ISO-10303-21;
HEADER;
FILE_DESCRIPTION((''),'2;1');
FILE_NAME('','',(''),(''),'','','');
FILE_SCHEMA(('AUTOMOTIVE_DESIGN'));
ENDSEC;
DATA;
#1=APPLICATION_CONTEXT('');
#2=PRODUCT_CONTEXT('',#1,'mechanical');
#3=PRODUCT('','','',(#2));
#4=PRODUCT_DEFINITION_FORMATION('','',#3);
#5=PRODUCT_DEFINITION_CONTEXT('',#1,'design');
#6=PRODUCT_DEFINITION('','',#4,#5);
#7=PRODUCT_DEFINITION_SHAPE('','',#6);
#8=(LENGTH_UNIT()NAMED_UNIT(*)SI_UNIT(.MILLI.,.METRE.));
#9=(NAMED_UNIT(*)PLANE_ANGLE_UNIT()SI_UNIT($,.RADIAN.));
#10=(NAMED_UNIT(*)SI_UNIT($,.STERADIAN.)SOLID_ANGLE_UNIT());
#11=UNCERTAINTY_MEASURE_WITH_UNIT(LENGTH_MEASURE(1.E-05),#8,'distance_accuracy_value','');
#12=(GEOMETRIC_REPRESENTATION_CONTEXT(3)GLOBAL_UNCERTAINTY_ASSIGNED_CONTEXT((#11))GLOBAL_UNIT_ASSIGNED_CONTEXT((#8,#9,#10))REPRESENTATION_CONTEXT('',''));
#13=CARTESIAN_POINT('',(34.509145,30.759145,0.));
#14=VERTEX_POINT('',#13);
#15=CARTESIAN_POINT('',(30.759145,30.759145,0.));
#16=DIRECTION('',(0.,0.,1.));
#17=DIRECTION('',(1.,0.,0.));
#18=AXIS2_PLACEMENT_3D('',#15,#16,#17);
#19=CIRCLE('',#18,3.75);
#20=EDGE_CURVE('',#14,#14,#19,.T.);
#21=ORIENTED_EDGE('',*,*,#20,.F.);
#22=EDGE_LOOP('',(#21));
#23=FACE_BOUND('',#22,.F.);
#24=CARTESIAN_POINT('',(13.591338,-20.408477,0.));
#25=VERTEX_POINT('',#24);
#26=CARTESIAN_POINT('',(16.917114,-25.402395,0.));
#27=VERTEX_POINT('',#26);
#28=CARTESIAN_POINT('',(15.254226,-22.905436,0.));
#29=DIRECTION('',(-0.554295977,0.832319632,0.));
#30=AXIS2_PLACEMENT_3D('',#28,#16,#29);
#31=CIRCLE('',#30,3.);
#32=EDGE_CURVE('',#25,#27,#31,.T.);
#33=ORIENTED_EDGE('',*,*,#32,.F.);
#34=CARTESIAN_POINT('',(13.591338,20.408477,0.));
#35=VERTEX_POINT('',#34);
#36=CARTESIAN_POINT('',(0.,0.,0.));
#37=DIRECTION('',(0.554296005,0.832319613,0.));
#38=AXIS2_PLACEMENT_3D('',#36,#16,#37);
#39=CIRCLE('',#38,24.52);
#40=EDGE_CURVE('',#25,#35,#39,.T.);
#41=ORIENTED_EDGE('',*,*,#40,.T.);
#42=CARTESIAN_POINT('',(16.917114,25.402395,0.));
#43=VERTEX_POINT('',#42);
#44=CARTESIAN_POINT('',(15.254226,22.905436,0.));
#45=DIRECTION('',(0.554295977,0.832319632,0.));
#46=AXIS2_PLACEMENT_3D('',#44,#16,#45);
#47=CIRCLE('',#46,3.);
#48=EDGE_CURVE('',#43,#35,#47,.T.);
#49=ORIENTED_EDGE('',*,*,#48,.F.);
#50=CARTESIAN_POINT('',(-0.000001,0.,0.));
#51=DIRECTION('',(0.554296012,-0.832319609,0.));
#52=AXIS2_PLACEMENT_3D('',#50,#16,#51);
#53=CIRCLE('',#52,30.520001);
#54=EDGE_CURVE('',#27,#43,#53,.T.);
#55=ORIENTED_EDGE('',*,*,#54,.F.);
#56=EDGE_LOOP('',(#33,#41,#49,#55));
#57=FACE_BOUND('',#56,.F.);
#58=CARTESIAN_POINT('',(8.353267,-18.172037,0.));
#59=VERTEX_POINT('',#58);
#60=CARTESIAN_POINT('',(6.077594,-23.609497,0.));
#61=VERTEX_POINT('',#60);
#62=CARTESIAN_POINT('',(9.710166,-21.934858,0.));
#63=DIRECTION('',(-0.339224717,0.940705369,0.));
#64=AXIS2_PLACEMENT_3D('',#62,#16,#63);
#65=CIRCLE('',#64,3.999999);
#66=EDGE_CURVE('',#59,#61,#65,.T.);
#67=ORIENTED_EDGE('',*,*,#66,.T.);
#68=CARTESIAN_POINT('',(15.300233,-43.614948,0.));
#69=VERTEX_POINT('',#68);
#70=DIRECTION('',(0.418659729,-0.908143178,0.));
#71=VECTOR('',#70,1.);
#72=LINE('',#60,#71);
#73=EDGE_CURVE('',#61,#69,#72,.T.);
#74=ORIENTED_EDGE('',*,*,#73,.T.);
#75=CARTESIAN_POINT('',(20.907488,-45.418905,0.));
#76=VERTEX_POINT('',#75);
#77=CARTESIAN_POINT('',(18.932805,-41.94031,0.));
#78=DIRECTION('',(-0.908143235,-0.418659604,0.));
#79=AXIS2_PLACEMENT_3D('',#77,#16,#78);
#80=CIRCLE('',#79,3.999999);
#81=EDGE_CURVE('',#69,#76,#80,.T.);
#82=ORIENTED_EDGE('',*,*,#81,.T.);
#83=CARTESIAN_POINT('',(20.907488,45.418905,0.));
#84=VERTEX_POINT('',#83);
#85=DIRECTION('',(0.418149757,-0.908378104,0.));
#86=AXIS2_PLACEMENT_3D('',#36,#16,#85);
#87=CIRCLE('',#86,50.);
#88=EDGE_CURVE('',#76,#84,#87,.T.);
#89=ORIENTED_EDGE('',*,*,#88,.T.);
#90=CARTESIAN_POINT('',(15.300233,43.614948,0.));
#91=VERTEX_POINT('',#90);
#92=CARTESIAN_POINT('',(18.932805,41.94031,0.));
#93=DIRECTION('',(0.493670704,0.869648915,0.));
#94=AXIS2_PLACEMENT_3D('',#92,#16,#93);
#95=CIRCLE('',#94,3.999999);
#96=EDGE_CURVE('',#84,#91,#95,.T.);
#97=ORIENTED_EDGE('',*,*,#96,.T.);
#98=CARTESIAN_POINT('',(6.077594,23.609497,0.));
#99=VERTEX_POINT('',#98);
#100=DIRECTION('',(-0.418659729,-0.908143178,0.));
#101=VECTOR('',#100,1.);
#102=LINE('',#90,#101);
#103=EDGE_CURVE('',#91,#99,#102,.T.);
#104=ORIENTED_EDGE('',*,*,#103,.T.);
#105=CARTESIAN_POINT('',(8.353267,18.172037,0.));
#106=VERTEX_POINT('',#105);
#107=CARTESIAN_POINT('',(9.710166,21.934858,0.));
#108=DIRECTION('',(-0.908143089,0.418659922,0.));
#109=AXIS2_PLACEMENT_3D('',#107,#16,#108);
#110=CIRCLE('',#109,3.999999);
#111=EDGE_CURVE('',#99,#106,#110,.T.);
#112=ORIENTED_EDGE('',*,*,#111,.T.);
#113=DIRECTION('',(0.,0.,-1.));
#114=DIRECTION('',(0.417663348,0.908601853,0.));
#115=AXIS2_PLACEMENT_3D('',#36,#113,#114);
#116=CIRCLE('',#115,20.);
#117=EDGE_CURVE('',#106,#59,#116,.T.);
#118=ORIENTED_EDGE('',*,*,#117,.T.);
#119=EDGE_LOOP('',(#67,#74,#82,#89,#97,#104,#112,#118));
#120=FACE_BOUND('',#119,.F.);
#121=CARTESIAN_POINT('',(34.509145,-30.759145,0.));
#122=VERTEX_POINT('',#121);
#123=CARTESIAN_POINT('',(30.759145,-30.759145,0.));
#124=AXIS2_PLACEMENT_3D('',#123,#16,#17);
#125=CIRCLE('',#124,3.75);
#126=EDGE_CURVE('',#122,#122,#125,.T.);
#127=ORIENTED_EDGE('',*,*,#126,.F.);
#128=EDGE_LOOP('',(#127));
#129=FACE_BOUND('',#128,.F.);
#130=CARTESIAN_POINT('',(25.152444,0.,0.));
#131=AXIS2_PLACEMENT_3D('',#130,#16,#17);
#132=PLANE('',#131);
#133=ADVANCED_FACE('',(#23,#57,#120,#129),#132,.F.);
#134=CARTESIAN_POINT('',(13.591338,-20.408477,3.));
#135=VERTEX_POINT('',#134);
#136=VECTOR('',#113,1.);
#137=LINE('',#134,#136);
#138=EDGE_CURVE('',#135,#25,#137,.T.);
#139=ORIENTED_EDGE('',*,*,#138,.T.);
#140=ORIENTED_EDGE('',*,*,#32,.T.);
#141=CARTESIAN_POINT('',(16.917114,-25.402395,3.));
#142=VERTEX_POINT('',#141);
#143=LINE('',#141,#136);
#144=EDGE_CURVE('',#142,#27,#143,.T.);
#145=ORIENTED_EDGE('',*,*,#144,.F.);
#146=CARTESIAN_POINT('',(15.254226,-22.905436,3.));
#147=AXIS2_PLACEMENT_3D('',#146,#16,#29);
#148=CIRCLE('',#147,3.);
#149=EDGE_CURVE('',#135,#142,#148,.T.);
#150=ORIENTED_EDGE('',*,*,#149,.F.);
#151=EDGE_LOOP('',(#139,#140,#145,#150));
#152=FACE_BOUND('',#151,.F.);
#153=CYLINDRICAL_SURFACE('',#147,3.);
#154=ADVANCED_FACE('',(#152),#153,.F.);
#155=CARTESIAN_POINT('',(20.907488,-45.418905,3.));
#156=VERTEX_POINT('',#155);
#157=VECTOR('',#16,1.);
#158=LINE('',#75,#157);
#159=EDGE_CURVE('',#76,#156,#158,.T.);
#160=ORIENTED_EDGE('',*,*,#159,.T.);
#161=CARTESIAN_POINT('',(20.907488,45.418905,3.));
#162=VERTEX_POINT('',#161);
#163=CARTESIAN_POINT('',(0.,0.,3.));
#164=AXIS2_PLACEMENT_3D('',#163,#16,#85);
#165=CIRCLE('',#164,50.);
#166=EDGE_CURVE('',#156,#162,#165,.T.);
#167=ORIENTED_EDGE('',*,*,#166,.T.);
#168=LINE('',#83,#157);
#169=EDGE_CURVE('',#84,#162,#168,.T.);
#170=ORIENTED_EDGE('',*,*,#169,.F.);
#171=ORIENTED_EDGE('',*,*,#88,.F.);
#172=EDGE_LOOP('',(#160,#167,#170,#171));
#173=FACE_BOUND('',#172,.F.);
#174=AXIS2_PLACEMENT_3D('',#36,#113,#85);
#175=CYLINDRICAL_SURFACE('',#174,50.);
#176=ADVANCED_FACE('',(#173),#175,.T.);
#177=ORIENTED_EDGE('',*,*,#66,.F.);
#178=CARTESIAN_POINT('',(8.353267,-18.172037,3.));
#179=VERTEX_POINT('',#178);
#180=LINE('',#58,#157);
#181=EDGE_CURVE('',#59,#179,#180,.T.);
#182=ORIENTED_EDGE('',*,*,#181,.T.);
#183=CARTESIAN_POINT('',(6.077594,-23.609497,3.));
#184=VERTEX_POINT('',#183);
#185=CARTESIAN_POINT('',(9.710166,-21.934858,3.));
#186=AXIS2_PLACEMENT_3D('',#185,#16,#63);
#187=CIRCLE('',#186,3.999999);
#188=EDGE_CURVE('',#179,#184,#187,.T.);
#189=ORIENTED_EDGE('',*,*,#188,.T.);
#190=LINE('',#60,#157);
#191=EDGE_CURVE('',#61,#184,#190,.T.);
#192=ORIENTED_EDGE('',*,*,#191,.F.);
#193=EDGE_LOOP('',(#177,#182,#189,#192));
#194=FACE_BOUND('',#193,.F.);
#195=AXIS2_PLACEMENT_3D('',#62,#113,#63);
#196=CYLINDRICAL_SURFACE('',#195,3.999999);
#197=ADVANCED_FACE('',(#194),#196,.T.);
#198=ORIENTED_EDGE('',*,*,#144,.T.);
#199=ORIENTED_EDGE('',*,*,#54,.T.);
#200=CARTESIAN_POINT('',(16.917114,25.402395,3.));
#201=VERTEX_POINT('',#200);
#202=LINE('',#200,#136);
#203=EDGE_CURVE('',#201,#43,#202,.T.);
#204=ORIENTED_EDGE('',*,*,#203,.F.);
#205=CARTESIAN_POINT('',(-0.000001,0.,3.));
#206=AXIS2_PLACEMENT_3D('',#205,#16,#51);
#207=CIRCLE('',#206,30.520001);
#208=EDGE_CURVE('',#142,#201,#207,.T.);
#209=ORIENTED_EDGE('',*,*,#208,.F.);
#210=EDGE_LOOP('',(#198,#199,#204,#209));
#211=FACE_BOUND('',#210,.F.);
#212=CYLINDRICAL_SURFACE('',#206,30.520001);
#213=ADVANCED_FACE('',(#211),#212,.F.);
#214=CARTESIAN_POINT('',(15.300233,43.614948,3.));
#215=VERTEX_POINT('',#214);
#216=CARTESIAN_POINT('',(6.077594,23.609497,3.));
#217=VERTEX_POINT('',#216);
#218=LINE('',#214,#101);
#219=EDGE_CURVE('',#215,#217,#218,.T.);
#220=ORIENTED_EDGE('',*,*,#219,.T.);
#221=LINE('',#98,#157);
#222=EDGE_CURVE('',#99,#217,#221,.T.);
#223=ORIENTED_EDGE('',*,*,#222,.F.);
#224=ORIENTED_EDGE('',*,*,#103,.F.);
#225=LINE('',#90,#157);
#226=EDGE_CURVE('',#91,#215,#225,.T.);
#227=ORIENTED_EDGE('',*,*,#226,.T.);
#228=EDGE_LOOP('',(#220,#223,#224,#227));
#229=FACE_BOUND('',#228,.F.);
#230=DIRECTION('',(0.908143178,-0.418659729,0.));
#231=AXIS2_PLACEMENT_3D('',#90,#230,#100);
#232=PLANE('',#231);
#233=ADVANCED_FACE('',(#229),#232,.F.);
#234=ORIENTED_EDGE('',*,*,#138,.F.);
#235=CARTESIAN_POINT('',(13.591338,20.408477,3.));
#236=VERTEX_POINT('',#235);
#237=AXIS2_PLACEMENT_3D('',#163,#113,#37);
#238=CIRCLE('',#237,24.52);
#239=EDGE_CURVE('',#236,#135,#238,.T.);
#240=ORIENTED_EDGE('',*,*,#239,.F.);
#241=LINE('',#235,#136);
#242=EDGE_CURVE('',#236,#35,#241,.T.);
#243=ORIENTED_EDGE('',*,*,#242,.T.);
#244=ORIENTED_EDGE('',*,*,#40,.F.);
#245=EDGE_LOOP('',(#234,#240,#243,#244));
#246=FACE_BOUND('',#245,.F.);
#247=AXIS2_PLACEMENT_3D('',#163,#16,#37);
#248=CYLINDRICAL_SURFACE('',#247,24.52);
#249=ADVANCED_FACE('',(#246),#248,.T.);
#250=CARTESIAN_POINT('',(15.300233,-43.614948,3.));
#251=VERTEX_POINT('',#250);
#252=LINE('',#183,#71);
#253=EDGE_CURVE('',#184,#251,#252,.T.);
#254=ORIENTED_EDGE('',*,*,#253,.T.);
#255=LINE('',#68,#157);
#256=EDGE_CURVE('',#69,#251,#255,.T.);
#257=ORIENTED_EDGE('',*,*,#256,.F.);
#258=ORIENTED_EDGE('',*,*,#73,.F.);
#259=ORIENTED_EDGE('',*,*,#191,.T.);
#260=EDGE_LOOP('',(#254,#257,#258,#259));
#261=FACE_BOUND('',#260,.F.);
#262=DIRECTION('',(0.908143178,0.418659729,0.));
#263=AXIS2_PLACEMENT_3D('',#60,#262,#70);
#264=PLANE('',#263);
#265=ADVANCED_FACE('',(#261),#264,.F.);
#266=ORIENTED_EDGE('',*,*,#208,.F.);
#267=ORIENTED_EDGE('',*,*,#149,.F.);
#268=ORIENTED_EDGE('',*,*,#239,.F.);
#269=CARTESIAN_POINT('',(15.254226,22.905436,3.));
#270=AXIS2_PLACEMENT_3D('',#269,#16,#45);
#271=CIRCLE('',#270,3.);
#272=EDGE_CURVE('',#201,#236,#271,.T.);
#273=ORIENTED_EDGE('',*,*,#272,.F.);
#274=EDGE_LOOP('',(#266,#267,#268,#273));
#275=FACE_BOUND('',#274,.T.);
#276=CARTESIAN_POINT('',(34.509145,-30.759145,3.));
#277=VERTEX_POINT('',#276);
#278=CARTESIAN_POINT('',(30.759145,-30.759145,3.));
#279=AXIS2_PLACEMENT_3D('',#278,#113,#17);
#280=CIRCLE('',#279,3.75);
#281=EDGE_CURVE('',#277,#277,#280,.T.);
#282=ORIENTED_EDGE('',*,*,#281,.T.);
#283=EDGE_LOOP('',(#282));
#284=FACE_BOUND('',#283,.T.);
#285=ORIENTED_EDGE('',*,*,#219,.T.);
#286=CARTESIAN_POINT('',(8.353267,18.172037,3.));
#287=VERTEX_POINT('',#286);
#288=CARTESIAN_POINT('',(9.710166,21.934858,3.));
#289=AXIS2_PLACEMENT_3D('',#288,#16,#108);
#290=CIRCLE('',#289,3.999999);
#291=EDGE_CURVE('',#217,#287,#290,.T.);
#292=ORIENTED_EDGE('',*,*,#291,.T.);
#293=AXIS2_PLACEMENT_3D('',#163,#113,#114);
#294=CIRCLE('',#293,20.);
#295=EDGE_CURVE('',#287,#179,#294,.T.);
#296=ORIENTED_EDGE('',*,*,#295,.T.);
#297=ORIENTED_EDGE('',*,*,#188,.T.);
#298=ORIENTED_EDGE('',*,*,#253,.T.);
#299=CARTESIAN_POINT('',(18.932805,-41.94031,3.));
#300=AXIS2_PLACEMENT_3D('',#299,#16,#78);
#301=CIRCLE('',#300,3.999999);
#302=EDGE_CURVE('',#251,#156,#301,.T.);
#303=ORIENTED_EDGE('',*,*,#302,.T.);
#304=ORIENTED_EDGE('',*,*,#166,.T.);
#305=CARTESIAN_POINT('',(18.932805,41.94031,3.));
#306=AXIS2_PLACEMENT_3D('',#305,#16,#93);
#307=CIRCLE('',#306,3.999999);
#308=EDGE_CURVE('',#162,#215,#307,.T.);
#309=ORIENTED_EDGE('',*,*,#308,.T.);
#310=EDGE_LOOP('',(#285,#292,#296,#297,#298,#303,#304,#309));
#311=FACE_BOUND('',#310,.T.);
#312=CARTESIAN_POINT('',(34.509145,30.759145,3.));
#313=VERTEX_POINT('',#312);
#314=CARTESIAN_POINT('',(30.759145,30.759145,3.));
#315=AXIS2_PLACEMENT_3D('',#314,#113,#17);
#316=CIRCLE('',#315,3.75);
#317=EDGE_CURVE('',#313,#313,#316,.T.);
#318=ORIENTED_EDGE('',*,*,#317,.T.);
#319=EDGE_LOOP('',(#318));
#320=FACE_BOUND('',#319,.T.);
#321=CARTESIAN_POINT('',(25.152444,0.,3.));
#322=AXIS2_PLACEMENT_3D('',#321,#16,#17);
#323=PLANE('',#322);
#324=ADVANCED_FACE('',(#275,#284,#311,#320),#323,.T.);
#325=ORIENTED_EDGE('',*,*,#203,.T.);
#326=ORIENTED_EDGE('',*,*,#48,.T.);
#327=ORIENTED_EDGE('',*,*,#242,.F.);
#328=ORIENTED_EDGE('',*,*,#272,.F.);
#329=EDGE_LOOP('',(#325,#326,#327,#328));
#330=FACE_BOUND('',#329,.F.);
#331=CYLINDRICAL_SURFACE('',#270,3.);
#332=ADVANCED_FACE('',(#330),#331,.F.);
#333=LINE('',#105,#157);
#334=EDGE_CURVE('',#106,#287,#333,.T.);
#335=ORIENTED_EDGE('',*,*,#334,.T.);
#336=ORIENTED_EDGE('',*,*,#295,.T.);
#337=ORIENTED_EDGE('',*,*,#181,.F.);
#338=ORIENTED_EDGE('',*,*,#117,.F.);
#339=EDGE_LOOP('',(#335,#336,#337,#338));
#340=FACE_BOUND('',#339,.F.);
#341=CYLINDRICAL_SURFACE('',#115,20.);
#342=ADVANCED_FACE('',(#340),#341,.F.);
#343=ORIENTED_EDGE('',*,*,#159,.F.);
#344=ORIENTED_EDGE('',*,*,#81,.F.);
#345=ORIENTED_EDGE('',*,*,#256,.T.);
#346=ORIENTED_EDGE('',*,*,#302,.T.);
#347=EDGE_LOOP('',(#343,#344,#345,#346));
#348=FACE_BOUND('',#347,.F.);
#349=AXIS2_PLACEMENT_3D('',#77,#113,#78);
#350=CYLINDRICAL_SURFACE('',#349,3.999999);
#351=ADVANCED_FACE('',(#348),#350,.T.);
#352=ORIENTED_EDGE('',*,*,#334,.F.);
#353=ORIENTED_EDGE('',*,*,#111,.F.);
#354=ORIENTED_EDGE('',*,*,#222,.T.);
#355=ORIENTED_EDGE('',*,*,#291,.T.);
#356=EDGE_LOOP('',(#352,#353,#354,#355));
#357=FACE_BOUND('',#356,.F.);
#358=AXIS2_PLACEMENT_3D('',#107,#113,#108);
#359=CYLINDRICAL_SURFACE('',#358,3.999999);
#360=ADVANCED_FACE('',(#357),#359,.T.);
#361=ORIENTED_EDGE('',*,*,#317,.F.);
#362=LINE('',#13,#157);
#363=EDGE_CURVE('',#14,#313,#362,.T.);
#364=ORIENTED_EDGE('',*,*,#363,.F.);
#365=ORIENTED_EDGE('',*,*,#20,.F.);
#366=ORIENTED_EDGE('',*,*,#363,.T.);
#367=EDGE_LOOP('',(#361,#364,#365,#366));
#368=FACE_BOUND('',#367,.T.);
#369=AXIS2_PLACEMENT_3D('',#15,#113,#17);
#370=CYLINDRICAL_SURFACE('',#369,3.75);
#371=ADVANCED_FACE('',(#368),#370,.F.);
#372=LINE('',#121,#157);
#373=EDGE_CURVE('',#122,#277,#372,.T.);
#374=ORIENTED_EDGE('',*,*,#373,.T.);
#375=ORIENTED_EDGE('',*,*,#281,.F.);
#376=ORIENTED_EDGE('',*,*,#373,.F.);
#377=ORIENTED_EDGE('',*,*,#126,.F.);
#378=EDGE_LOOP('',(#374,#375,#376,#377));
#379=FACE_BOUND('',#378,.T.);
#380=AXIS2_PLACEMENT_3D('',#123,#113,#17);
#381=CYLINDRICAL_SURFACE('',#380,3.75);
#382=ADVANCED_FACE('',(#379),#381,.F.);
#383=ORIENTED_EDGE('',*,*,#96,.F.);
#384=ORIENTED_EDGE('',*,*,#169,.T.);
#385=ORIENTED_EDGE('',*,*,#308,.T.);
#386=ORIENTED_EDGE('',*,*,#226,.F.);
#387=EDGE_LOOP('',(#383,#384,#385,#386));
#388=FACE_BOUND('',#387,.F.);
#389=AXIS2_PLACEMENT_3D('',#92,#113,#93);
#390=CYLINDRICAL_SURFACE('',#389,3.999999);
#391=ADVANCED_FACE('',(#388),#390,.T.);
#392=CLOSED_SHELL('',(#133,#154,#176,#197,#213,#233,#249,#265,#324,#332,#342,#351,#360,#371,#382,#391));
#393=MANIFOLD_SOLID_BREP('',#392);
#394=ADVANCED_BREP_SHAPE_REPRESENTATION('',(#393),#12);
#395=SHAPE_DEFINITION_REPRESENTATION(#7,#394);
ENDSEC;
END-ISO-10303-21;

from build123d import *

# Parameters (mm, degrees)
F2_DEPTH = 3
F0_R     = 3.75
F3_DEPTH = 25
F5_DEPTH = 25


with BuildPart() as f2:
    # F1 (on Top) → F2 (new body)
    with BuildSketch(Plane.XY):
        with BuildLine():
            Line((15.300233, 43.614948), (6.077594, 23.609497))
            ThreePointArc((6.077594, 23.609497), (6.020288, 20.390579), (8.353267, 18.172037))
            ThreePointArc((8.353267, 18.172037), (20, 0), (8.353267, -18.172037))
            ThreePointArc((8.353267, -18.172037), (6.020288, -20.390579), (6.077594, -23.609497))
            Line((6.077594, -23.609497), (15.300233, -43.614948))
            ThreePointArc((15.300233, -43.614948), (17.707769, -45.748102), (20.907488, -45.418905))
            ThreePointArc((20.907488, -45.418905), (50, 0), (20.907488, 45.418905))
            ThreePointArc((20.907488, 45.418905), (17.707769, 45.748102), (15.300233, 43.614948))
        make_face()
    extrude(amount=F2_DEPTH)

    # F0 (on Top) → F3 (cut)
    with BuildSketch(Plane.XY):
        with Locations((30.759145, 30.759145)):
            Circle(F0_R)
        with Locations((30.759145, -30.759145)):
            Circle(F0_R)
    extrude(amount=F3_DEPTH, mode=Mode.SUBTRACT)

    # F4 (on face) → F5 (cut)
    with BuildSketch(Plane.XY.offset(3)):
        with BuildLine():
            ThreePointArc((16.917114, 25.402395), (12.757267, 24.568324), (13.591338, 20.408477))
            ThreePointArc((13.591338, 20.408477), (24.52, 0), (13.591338, -20.408477))
            ThreePointArc((13.591338, -20.408477), (12.757267, -24.568324), (16.917114, -25.402395))
            ThreePointArc((16.917114, -25.402395), (30.52, 0), (16.917114, 25.402395))
        make_face()
    extrude(amount=-F5_DEPTH, mode=Mode.SUBTRACT)


solid = f2.part
